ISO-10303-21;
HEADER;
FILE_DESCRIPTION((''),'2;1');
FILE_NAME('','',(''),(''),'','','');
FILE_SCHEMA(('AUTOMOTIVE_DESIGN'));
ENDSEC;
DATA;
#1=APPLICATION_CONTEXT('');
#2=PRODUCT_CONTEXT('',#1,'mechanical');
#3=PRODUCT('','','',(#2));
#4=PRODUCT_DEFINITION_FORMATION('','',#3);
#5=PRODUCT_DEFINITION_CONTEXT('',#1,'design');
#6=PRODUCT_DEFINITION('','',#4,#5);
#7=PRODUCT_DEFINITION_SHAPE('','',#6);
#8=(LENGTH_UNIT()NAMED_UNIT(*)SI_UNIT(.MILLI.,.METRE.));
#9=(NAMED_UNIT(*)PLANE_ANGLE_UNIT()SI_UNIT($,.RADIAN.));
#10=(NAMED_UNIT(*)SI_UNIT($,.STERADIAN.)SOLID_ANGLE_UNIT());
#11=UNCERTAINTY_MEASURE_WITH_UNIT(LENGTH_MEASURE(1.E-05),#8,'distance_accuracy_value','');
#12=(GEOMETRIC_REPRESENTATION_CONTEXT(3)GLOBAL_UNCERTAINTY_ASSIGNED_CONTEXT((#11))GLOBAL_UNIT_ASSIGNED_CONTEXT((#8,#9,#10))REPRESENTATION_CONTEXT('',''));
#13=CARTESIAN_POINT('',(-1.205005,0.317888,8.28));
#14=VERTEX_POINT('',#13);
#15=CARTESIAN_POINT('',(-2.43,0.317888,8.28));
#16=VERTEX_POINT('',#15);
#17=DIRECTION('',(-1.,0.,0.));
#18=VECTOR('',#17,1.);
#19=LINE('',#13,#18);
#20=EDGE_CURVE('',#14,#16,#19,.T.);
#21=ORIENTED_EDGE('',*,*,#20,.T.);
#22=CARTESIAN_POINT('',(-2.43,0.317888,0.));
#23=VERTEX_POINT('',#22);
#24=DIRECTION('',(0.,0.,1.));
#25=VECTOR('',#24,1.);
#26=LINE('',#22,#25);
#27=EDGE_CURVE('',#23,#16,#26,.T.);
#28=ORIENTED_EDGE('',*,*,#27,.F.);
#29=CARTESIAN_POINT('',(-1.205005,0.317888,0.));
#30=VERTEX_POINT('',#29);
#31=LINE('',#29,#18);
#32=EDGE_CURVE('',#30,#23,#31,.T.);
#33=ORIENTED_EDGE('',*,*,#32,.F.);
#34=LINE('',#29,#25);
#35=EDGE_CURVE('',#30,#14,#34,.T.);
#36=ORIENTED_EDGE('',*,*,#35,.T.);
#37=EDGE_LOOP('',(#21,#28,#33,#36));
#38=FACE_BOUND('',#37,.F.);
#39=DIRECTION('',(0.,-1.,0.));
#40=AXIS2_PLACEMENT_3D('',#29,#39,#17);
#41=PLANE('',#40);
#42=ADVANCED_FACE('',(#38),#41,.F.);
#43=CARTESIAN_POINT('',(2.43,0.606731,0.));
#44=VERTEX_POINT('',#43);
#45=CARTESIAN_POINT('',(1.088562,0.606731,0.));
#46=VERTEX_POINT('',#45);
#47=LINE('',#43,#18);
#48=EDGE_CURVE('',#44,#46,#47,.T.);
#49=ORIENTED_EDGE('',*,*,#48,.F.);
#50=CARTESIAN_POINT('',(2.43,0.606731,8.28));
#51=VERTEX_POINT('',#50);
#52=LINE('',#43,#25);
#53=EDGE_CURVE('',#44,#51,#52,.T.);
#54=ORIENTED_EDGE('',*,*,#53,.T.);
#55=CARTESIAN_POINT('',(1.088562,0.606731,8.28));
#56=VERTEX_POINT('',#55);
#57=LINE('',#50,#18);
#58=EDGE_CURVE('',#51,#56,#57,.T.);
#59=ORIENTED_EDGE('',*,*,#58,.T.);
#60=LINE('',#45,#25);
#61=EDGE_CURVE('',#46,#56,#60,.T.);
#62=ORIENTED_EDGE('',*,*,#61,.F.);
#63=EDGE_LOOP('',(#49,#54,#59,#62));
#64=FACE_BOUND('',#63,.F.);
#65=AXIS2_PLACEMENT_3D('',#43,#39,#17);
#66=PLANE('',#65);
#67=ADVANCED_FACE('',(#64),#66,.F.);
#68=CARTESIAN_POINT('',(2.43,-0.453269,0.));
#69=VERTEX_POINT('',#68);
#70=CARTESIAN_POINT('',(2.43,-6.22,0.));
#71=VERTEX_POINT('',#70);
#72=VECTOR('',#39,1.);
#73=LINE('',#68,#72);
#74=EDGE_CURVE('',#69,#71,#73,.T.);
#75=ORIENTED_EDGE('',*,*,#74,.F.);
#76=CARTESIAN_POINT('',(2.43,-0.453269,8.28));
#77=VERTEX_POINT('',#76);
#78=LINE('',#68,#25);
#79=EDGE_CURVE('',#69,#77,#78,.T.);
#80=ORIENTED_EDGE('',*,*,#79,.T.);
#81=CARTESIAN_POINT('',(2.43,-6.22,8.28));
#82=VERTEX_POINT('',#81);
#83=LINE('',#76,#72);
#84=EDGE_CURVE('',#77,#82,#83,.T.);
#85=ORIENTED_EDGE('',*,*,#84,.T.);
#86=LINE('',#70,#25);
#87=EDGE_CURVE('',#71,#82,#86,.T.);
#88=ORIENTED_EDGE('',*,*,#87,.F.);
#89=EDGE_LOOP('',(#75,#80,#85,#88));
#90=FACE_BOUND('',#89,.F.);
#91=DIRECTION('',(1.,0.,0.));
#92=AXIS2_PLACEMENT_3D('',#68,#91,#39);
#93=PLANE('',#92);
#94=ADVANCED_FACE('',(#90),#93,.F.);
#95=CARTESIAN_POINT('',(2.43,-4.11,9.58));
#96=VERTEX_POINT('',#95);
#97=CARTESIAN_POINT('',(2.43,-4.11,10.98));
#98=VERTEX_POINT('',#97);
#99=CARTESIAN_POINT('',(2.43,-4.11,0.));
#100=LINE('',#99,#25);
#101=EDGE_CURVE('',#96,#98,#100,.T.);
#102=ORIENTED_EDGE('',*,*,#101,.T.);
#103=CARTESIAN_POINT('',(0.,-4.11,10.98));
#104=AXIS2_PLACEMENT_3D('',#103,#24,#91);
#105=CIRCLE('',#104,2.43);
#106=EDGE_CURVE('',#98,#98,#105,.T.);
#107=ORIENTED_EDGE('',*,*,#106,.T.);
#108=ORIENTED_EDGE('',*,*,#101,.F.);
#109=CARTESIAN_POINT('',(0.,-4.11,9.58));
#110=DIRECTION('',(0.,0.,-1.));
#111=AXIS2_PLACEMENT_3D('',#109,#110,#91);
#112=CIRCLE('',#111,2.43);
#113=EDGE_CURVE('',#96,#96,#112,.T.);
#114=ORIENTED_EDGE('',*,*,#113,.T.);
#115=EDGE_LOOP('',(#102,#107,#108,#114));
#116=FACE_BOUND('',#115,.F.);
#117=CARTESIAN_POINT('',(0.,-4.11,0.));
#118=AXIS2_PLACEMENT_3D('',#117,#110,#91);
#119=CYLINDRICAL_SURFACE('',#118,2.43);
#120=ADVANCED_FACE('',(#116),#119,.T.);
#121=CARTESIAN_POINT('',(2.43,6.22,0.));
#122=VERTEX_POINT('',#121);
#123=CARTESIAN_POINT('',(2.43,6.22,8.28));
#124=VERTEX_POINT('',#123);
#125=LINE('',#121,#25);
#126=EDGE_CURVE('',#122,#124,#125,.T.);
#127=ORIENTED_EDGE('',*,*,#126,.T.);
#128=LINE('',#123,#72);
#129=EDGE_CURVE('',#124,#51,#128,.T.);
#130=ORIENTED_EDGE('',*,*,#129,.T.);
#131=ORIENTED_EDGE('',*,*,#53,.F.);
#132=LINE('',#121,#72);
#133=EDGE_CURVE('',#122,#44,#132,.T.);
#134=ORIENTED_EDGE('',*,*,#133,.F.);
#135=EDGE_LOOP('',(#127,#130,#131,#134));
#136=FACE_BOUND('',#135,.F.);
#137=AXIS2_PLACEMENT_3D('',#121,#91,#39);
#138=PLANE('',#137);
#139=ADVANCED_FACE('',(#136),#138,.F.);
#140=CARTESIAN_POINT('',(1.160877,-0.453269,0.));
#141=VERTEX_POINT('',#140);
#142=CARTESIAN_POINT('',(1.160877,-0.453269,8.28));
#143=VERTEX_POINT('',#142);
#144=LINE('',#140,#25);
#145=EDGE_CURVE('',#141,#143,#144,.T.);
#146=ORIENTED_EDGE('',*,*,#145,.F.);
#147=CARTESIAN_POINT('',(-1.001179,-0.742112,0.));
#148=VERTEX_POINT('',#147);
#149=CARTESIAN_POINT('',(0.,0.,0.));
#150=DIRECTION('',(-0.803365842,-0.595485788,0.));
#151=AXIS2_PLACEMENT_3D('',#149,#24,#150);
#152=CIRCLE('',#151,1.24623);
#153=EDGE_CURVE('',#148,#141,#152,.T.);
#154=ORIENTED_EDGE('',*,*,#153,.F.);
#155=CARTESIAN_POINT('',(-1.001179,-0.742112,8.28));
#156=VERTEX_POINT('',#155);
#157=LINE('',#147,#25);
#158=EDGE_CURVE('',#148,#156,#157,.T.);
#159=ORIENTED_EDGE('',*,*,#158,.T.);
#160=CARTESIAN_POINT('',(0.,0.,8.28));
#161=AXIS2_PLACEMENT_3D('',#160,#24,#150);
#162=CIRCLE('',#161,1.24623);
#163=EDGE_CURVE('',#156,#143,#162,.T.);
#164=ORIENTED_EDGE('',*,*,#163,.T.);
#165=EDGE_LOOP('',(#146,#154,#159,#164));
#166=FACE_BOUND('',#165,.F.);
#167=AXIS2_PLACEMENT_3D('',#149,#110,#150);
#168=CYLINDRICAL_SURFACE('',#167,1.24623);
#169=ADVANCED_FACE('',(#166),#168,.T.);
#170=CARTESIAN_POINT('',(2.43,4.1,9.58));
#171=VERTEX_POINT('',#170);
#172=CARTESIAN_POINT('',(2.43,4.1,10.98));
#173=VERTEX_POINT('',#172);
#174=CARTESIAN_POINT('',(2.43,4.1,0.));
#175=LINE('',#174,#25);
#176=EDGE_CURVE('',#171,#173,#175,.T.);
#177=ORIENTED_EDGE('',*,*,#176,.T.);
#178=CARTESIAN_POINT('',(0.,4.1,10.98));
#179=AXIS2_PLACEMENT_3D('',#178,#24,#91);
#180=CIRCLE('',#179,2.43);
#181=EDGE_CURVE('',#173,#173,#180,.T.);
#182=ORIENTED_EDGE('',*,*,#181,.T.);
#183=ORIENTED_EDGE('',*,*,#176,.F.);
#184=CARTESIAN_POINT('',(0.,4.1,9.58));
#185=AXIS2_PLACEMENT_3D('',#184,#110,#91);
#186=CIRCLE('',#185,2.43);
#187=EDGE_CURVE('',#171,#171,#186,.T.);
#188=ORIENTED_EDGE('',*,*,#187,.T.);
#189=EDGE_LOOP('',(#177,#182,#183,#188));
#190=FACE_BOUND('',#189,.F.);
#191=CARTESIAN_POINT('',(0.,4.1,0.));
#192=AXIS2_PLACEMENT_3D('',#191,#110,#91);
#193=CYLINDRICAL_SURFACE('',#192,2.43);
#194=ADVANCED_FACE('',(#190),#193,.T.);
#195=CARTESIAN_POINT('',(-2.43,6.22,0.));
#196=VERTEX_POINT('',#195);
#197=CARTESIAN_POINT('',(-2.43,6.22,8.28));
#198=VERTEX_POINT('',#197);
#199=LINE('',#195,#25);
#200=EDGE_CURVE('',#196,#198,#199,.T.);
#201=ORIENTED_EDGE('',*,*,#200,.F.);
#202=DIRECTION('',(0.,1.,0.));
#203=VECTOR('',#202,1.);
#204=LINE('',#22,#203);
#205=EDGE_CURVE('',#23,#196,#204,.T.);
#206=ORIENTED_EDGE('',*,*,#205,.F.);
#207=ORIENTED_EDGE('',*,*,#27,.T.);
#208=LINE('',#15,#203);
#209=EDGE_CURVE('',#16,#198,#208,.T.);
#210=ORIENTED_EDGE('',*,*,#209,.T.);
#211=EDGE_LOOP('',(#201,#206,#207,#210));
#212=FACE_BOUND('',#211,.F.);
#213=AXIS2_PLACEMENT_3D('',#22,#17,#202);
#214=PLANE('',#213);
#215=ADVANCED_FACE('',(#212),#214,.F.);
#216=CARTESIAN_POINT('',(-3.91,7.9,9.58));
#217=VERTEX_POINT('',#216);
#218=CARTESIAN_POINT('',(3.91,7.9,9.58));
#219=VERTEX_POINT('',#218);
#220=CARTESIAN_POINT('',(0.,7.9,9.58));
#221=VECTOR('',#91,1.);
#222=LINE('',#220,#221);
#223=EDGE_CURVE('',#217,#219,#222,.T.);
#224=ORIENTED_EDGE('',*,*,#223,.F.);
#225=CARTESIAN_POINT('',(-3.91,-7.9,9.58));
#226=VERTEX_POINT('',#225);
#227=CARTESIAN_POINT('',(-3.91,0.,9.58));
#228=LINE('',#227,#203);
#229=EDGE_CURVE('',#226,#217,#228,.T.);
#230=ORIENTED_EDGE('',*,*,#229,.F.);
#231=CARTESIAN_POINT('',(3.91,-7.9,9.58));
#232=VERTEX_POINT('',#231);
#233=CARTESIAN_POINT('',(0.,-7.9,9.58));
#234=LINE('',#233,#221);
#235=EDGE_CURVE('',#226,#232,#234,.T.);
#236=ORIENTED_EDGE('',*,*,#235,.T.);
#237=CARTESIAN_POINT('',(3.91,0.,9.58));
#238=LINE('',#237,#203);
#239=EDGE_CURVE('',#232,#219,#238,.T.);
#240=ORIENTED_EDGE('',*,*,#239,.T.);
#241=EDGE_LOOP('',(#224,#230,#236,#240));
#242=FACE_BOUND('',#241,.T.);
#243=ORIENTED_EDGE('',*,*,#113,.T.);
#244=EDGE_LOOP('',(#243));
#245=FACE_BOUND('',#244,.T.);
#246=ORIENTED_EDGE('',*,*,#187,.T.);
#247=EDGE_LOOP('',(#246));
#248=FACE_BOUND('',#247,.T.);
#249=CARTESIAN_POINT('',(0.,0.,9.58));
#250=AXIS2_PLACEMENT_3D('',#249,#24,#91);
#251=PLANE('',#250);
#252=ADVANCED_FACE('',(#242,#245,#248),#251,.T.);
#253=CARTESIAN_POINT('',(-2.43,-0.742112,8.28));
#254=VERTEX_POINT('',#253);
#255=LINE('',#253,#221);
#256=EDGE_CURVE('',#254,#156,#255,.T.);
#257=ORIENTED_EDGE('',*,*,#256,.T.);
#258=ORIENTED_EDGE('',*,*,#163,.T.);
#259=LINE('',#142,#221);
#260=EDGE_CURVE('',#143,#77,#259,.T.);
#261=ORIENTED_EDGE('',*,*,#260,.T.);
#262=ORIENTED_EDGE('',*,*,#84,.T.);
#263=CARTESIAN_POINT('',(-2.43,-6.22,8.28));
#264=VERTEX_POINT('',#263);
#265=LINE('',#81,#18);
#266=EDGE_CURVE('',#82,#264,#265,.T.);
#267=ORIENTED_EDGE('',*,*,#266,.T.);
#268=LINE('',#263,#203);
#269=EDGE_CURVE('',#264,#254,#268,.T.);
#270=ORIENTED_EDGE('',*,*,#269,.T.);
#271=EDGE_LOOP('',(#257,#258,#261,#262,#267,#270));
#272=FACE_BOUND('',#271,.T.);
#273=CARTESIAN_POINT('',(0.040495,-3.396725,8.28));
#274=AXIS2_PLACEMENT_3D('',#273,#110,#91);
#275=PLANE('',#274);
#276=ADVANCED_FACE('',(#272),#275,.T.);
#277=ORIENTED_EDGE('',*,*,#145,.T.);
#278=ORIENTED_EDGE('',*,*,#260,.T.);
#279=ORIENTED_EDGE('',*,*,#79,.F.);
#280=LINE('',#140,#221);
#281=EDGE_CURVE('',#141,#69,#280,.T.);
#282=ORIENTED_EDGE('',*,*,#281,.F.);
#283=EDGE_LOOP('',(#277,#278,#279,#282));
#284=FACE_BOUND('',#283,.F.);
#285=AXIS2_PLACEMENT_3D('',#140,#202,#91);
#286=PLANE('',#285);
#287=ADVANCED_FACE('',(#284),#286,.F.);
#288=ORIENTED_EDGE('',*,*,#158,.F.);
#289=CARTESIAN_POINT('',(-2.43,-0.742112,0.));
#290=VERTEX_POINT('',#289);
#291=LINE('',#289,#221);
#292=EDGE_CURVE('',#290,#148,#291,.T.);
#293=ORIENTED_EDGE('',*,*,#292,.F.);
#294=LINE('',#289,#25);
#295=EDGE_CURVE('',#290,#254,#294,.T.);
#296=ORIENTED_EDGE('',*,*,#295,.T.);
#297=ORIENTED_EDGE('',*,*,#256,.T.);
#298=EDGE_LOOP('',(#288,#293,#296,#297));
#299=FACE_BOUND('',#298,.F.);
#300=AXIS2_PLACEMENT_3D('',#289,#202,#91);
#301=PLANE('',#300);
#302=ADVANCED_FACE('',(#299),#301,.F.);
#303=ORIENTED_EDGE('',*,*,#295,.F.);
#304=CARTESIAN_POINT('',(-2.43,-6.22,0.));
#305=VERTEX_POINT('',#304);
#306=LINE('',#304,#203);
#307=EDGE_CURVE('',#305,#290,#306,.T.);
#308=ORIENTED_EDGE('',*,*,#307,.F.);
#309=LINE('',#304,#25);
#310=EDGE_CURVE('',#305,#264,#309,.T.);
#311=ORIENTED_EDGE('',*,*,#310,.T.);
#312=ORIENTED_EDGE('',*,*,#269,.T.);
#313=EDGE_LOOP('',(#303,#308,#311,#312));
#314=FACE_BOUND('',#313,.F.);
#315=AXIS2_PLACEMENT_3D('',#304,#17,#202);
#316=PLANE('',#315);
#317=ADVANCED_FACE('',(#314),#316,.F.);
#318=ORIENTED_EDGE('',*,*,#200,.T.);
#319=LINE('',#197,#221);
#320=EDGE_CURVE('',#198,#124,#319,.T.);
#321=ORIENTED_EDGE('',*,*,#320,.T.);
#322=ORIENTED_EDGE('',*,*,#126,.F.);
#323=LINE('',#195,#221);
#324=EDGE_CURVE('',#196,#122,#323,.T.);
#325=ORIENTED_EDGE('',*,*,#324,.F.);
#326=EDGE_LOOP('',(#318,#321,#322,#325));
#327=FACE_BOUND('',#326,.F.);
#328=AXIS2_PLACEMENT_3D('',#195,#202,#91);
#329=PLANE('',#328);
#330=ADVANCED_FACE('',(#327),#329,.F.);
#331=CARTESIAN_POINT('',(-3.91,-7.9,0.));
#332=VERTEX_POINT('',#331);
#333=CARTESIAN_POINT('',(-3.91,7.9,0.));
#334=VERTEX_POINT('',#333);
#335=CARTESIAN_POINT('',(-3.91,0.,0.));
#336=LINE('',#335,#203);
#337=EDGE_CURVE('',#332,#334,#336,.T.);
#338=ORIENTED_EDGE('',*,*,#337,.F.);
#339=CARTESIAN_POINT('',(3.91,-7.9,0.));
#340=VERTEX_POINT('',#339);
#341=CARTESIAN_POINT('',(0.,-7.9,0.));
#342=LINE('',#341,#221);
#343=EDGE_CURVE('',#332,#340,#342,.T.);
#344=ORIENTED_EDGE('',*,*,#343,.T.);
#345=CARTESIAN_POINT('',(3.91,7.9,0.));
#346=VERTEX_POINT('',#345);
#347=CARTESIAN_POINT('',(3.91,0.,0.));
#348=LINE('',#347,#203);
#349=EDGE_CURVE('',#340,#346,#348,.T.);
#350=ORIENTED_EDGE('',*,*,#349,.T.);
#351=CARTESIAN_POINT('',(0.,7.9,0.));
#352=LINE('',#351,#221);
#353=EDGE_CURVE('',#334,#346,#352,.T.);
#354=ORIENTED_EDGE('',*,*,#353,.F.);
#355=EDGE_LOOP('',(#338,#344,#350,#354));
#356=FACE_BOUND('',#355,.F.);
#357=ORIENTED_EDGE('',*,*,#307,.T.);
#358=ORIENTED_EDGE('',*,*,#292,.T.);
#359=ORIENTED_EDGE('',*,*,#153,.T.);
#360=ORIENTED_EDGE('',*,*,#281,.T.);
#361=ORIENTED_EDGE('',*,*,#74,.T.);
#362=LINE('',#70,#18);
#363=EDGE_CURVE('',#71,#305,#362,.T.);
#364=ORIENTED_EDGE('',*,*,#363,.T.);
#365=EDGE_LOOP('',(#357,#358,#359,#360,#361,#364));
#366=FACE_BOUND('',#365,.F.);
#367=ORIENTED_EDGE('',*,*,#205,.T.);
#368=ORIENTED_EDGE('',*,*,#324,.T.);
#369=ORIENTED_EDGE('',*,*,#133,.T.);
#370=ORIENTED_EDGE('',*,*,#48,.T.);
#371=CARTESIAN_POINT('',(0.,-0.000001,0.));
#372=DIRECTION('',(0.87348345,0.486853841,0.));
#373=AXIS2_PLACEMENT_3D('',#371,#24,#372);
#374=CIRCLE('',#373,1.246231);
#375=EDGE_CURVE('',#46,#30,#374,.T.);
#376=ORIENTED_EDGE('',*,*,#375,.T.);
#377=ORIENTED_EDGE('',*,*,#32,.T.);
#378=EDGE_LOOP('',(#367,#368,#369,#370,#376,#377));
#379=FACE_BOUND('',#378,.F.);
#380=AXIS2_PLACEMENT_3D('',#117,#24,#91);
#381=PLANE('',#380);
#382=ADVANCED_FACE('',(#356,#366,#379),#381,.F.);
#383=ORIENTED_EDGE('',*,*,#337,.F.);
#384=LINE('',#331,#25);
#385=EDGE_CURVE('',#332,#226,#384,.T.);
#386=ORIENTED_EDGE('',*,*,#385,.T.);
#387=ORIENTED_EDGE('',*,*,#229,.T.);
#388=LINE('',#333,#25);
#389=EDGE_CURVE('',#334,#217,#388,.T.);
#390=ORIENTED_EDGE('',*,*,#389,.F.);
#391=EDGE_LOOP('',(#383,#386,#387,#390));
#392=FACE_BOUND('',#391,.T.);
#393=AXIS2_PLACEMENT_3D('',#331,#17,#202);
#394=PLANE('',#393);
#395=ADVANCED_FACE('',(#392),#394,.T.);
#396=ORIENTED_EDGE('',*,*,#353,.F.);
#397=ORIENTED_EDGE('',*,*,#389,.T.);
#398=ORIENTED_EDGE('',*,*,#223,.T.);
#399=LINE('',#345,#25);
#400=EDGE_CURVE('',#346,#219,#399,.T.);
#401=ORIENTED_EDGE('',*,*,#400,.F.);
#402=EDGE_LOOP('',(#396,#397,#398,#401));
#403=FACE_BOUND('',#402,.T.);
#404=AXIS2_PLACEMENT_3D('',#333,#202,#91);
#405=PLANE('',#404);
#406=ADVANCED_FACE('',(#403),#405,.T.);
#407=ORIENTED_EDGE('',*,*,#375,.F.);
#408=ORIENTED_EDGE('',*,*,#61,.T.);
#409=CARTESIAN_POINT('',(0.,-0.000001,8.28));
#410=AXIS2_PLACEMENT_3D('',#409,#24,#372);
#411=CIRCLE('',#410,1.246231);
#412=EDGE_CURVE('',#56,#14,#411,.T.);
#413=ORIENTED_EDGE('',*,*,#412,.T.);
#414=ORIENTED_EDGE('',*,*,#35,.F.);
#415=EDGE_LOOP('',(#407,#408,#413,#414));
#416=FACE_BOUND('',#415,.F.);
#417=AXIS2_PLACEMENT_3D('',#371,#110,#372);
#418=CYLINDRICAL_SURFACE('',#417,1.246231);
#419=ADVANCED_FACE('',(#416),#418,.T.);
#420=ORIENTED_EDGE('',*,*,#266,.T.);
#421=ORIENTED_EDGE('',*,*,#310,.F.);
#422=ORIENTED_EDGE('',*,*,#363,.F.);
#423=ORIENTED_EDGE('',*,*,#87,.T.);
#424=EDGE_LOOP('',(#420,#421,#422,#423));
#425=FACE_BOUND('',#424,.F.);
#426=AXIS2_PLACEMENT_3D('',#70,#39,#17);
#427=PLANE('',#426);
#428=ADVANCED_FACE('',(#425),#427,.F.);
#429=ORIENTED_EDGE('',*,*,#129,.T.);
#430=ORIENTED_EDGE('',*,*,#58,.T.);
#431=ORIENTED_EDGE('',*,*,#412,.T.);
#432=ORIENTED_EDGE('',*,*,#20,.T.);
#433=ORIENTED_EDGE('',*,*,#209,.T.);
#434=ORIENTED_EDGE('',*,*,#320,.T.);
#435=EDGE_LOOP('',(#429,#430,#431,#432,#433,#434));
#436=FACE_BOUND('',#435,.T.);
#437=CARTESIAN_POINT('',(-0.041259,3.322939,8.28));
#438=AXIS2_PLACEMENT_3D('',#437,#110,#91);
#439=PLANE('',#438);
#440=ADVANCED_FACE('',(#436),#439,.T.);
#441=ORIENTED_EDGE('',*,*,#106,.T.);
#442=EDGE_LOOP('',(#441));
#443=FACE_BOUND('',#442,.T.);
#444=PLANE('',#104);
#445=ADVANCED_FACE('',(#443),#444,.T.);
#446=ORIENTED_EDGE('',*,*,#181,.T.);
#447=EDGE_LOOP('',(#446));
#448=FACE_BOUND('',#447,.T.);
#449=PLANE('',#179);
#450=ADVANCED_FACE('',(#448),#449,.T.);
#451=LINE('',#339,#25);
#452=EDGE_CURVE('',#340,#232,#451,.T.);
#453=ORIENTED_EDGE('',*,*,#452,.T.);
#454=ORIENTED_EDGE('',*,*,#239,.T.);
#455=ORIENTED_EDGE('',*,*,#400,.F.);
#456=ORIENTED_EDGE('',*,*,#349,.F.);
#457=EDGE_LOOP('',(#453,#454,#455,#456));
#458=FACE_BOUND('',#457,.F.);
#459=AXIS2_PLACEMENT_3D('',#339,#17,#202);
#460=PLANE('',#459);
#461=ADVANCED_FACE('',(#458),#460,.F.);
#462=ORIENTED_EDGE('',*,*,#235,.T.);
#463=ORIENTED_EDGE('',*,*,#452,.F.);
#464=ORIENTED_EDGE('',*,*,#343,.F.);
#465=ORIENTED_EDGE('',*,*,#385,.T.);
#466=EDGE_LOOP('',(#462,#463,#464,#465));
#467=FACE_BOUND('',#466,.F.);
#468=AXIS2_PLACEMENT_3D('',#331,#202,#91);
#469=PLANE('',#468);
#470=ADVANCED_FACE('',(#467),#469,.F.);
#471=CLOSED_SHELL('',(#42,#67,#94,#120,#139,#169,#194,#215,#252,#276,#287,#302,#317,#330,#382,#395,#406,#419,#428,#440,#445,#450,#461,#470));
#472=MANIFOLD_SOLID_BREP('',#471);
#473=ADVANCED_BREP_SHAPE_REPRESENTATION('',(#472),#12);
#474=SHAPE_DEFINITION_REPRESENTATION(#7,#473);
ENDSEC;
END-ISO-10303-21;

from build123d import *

# Parameters (mm, degrees)
F0_W     = 7.82
F0_H     = 15.8
F0_R     = 2.43
F1_DEPTH = 9.58
F2_DEPTH = 10.98
F4_DEPTH = 8.28


with BuildPart() as f1:
    # F0 (on Top) → F1 (new body)
    with BuildSketch(Plane.XY):
        Rectangle(F0_W, F0_H)
        with Locations((0, -4.11)):
            Circle(F0_R, mode=Mode.SUBTRACT)
        with Locations((0, 4.1)):
            Circle(F0_R, mode=Mode.SUBTRACT)
        with Locations((0, -4.11)):
            Circle(F0_R)
        with Locations((0, 4.1)):
            Circle(F0_R)
    extrude(amount=F1_DEPTH)

    # F0 (on Top) → F2 (join)
    with BuildSketch(Plane.XY):
        with Locations((0, -4.11)):
            Circle(F0_R)
        with Locations((0, 4.1)):
            Circle(F0_R)
    extrude(amount=F2_DEPTH)

    # F3 (on face) → F4 (cut)
    with BuildSketch(Plane(origin=(0, 0, 0), x_dir=(1, 0, 0), z_dir=(0, 0, -1))):
        with BuildLine():
            Line((-2.43, -0.317888), (-2.43, -6.22))
            Line((-2.43, -6.22), (2.43, -6.22))
            Line((2.43, -6.22), (2.43, -0.606731))
            Line((2.43, -0.606731), (1.088562, -0.606731))
            ThreePointArc((1.088562, -0.606731), (-0.155715, -1.236463), (-1.205005, -0.317888))
            Line((-1.205005, -0.317888), (-2.43, -0.317888))
        make_face()
        with BuildLine():
            Line((-2.43, 6.22), (-2.43, 0.742112))
            Line((-2.43, 0.742112), (-1.001179, 0.742112))
            ThreePointArc((-1.001179, 0.742112), (0.165026, 1.235255), (1.160877, 0.453269))
            Line((1.160877, 0.453269), (2.43, 0.453269))
            Line((2.43, 0.453269), (2.43, 6.22))
            Line((2.43, 6.22), (-2.43, 6.22))
        make_face()
    extrude(amount=-F4_DEPTH, mode=Mode.SUBTRACT)


solid = f1.part
